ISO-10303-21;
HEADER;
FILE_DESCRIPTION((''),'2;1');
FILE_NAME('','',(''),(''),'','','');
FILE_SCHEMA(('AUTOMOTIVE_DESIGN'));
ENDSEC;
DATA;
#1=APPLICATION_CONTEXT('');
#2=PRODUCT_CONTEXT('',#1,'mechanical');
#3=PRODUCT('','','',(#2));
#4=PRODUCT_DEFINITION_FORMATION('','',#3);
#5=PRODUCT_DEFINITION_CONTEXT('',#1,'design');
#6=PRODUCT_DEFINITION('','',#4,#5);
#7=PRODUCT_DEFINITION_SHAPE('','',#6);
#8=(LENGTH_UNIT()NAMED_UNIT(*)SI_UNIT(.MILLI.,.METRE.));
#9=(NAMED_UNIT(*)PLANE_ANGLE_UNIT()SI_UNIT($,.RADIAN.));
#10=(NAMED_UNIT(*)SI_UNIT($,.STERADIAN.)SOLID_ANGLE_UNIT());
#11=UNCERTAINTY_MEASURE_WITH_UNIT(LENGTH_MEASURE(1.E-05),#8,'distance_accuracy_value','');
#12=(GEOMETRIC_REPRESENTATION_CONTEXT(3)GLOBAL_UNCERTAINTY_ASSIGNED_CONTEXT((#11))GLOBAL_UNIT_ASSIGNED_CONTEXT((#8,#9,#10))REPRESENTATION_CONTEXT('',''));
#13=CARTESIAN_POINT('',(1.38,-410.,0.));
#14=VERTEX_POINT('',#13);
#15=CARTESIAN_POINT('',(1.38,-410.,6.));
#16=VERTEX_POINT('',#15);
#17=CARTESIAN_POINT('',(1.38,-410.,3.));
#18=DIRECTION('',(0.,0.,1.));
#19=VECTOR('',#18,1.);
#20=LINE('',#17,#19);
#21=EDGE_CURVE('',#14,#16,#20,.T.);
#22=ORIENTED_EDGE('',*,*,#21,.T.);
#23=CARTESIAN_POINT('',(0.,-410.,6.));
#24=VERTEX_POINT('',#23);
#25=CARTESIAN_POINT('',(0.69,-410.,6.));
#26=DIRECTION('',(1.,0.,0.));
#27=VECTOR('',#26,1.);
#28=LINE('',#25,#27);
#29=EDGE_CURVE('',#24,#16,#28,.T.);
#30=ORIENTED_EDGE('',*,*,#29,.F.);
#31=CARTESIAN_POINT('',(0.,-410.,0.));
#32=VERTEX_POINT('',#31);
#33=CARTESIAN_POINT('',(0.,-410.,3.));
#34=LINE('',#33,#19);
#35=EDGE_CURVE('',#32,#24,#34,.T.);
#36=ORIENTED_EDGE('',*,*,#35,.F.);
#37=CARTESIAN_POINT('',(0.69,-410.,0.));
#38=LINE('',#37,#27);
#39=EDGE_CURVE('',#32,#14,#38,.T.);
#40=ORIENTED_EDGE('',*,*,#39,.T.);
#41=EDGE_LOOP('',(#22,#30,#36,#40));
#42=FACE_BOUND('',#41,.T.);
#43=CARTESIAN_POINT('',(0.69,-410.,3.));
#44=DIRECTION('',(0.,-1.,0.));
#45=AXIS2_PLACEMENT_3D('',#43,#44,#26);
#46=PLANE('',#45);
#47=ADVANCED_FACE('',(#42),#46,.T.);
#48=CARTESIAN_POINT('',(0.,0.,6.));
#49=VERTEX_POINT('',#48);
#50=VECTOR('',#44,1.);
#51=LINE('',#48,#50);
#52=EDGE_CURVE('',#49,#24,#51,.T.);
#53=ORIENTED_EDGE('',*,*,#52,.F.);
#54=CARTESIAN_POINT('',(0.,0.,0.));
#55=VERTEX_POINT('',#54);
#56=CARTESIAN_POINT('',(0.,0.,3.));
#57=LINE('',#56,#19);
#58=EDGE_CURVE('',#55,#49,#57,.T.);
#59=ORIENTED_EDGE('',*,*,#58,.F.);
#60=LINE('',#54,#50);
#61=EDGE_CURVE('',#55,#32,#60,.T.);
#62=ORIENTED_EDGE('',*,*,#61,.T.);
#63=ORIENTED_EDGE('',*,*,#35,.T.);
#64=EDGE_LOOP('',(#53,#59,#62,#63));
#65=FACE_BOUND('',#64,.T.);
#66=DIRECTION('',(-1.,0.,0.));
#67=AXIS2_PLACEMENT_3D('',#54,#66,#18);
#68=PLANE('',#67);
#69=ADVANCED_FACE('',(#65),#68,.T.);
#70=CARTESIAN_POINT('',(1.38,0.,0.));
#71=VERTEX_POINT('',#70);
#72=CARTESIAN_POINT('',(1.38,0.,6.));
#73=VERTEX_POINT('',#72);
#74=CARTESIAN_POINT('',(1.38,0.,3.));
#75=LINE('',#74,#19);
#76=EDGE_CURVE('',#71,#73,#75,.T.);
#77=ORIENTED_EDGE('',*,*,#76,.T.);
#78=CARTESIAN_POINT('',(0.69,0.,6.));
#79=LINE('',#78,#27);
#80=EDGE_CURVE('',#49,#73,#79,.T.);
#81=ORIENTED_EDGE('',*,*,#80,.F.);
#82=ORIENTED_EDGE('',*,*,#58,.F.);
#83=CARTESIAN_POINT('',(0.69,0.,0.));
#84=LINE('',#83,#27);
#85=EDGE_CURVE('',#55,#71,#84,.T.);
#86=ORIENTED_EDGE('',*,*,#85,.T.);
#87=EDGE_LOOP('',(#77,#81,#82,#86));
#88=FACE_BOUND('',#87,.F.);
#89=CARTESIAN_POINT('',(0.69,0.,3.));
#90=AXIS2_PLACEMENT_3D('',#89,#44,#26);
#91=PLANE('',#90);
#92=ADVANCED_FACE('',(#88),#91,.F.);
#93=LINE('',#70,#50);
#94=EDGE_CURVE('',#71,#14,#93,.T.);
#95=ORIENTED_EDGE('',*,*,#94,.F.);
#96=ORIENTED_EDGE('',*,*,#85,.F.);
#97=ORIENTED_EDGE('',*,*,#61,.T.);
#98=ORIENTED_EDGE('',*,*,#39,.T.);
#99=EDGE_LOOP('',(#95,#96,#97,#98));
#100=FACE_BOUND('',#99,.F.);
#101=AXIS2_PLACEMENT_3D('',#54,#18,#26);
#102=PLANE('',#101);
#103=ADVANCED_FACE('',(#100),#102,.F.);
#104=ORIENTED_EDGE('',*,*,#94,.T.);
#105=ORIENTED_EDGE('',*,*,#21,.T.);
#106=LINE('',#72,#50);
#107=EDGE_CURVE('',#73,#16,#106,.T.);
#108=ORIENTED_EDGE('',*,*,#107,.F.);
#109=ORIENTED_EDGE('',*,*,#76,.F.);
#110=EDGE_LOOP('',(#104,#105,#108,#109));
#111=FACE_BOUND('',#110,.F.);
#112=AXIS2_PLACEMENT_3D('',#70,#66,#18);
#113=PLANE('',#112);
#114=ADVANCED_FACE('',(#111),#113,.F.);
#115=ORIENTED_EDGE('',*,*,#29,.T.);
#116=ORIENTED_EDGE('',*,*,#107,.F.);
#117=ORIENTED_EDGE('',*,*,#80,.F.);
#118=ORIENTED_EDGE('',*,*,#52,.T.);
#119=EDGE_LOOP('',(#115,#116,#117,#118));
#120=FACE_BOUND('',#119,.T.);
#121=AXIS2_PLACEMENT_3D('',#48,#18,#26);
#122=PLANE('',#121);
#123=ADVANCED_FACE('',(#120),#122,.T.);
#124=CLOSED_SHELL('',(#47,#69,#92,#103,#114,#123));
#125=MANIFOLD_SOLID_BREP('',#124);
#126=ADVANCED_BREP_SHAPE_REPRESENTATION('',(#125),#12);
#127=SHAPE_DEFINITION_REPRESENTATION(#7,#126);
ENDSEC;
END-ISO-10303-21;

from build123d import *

# Parameters (mm, degrees)
SKETCH_W  = 1.38
SKETCH_H  = 6
PAD_DEPTH = 410


with BuildPart() as part:
    # Sketch → Pad (new body)
    with BuildSketch(Plane.XZ):
        with Locations((0.69, 3)):
            Rectangle(SKETCH_W, SKETCH_H)
    extrude(amount=PAD_DEPTH)


solid = part.part
